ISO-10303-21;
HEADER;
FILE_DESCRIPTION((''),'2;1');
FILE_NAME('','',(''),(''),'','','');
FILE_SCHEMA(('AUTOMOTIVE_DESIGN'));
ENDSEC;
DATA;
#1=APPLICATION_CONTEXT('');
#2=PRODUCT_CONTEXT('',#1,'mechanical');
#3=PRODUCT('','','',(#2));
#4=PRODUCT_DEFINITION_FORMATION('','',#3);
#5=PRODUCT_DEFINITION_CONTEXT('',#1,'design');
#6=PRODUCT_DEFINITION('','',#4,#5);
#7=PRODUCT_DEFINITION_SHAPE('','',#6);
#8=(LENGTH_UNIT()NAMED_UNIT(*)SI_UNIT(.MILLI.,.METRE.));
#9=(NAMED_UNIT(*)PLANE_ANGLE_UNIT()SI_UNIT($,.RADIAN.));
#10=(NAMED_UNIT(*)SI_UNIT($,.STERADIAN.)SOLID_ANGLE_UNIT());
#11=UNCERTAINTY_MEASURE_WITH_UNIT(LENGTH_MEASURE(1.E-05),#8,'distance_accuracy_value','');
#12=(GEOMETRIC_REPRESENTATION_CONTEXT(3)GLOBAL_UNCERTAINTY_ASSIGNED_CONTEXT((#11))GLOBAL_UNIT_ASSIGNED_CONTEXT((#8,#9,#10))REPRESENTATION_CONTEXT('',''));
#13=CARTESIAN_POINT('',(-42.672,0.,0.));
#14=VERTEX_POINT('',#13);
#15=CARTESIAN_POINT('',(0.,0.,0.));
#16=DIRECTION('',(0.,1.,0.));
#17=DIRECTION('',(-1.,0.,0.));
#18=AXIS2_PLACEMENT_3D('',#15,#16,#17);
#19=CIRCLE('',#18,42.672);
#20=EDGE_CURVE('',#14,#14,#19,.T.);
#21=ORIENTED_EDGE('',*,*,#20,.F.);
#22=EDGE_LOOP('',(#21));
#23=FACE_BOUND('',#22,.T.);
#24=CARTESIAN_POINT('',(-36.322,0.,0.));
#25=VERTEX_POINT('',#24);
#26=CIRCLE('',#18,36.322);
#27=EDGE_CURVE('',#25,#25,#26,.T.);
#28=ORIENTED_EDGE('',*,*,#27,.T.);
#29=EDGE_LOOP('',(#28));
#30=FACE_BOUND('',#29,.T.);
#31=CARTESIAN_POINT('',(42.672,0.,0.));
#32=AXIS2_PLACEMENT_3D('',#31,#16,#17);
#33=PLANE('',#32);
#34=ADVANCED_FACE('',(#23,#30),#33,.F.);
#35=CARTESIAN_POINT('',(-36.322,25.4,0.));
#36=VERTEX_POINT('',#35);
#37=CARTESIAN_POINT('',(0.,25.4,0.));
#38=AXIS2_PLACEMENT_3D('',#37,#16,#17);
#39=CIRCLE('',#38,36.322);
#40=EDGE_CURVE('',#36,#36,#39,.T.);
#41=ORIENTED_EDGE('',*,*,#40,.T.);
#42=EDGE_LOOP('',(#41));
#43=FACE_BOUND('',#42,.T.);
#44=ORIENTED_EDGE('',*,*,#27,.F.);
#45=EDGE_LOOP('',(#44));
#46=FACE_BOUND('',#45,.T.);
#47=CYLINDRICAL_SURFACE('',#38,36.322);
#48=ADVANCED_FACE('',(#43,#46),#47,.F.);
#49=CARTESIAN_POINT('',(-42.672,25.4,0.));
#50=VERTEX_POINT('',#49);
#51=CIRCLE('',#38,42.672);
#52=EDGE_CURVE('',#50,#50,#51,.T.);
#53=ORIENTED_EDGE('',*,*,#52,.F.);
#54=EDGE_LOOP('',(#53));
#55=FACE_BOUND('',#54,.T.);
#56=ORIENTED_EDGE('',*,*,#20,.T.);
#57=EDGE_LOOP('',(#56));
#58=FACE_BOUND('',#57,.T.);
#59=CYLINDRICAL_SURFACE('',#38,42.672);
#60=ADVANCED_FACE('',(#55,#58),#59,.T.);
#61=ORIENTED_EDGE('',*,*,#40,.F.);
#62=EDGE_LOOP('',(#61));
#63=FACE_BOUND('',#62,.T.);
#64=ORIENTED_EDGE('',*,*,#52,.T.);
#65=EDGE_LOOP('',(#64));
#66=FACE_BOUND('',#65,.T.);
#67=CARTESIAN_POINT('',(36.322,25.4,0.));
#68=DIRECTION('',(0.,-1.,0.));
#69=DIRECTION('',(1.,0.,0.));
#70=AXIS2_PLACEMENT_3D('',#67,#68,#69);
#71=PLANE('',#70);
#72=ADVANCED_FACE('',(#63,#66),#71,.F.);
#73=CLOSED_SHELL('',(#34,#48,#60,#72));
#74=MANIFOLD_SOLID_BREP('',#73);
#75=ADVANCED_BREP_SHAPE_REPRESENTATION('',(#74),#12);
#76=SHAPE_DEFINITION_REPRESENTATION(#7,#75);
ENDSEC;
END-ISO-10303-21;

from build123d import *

# Parameters (mm, degrees)
SKETCH2_W = 6.35
SKETCH2_H = 25.4


with BuildPart() as part:
    # Sketch2 → Revolve1 (revolve)
    with BuildSketch(Plane.XY, mode=Mode.PRIVATE) as revolve1_sk:
        with Locations((39.497, 12.7)):
            Rectangle(SKETCH2_W, SKETCH2_H)
    revolve(revolve1_sk.sketch.rotate(Axis((0, 25.4, 0), (0, -1, 0)), 180), axis=Axis((0, 25.4, 0), (0, -1, 0)))


solid = part.part
